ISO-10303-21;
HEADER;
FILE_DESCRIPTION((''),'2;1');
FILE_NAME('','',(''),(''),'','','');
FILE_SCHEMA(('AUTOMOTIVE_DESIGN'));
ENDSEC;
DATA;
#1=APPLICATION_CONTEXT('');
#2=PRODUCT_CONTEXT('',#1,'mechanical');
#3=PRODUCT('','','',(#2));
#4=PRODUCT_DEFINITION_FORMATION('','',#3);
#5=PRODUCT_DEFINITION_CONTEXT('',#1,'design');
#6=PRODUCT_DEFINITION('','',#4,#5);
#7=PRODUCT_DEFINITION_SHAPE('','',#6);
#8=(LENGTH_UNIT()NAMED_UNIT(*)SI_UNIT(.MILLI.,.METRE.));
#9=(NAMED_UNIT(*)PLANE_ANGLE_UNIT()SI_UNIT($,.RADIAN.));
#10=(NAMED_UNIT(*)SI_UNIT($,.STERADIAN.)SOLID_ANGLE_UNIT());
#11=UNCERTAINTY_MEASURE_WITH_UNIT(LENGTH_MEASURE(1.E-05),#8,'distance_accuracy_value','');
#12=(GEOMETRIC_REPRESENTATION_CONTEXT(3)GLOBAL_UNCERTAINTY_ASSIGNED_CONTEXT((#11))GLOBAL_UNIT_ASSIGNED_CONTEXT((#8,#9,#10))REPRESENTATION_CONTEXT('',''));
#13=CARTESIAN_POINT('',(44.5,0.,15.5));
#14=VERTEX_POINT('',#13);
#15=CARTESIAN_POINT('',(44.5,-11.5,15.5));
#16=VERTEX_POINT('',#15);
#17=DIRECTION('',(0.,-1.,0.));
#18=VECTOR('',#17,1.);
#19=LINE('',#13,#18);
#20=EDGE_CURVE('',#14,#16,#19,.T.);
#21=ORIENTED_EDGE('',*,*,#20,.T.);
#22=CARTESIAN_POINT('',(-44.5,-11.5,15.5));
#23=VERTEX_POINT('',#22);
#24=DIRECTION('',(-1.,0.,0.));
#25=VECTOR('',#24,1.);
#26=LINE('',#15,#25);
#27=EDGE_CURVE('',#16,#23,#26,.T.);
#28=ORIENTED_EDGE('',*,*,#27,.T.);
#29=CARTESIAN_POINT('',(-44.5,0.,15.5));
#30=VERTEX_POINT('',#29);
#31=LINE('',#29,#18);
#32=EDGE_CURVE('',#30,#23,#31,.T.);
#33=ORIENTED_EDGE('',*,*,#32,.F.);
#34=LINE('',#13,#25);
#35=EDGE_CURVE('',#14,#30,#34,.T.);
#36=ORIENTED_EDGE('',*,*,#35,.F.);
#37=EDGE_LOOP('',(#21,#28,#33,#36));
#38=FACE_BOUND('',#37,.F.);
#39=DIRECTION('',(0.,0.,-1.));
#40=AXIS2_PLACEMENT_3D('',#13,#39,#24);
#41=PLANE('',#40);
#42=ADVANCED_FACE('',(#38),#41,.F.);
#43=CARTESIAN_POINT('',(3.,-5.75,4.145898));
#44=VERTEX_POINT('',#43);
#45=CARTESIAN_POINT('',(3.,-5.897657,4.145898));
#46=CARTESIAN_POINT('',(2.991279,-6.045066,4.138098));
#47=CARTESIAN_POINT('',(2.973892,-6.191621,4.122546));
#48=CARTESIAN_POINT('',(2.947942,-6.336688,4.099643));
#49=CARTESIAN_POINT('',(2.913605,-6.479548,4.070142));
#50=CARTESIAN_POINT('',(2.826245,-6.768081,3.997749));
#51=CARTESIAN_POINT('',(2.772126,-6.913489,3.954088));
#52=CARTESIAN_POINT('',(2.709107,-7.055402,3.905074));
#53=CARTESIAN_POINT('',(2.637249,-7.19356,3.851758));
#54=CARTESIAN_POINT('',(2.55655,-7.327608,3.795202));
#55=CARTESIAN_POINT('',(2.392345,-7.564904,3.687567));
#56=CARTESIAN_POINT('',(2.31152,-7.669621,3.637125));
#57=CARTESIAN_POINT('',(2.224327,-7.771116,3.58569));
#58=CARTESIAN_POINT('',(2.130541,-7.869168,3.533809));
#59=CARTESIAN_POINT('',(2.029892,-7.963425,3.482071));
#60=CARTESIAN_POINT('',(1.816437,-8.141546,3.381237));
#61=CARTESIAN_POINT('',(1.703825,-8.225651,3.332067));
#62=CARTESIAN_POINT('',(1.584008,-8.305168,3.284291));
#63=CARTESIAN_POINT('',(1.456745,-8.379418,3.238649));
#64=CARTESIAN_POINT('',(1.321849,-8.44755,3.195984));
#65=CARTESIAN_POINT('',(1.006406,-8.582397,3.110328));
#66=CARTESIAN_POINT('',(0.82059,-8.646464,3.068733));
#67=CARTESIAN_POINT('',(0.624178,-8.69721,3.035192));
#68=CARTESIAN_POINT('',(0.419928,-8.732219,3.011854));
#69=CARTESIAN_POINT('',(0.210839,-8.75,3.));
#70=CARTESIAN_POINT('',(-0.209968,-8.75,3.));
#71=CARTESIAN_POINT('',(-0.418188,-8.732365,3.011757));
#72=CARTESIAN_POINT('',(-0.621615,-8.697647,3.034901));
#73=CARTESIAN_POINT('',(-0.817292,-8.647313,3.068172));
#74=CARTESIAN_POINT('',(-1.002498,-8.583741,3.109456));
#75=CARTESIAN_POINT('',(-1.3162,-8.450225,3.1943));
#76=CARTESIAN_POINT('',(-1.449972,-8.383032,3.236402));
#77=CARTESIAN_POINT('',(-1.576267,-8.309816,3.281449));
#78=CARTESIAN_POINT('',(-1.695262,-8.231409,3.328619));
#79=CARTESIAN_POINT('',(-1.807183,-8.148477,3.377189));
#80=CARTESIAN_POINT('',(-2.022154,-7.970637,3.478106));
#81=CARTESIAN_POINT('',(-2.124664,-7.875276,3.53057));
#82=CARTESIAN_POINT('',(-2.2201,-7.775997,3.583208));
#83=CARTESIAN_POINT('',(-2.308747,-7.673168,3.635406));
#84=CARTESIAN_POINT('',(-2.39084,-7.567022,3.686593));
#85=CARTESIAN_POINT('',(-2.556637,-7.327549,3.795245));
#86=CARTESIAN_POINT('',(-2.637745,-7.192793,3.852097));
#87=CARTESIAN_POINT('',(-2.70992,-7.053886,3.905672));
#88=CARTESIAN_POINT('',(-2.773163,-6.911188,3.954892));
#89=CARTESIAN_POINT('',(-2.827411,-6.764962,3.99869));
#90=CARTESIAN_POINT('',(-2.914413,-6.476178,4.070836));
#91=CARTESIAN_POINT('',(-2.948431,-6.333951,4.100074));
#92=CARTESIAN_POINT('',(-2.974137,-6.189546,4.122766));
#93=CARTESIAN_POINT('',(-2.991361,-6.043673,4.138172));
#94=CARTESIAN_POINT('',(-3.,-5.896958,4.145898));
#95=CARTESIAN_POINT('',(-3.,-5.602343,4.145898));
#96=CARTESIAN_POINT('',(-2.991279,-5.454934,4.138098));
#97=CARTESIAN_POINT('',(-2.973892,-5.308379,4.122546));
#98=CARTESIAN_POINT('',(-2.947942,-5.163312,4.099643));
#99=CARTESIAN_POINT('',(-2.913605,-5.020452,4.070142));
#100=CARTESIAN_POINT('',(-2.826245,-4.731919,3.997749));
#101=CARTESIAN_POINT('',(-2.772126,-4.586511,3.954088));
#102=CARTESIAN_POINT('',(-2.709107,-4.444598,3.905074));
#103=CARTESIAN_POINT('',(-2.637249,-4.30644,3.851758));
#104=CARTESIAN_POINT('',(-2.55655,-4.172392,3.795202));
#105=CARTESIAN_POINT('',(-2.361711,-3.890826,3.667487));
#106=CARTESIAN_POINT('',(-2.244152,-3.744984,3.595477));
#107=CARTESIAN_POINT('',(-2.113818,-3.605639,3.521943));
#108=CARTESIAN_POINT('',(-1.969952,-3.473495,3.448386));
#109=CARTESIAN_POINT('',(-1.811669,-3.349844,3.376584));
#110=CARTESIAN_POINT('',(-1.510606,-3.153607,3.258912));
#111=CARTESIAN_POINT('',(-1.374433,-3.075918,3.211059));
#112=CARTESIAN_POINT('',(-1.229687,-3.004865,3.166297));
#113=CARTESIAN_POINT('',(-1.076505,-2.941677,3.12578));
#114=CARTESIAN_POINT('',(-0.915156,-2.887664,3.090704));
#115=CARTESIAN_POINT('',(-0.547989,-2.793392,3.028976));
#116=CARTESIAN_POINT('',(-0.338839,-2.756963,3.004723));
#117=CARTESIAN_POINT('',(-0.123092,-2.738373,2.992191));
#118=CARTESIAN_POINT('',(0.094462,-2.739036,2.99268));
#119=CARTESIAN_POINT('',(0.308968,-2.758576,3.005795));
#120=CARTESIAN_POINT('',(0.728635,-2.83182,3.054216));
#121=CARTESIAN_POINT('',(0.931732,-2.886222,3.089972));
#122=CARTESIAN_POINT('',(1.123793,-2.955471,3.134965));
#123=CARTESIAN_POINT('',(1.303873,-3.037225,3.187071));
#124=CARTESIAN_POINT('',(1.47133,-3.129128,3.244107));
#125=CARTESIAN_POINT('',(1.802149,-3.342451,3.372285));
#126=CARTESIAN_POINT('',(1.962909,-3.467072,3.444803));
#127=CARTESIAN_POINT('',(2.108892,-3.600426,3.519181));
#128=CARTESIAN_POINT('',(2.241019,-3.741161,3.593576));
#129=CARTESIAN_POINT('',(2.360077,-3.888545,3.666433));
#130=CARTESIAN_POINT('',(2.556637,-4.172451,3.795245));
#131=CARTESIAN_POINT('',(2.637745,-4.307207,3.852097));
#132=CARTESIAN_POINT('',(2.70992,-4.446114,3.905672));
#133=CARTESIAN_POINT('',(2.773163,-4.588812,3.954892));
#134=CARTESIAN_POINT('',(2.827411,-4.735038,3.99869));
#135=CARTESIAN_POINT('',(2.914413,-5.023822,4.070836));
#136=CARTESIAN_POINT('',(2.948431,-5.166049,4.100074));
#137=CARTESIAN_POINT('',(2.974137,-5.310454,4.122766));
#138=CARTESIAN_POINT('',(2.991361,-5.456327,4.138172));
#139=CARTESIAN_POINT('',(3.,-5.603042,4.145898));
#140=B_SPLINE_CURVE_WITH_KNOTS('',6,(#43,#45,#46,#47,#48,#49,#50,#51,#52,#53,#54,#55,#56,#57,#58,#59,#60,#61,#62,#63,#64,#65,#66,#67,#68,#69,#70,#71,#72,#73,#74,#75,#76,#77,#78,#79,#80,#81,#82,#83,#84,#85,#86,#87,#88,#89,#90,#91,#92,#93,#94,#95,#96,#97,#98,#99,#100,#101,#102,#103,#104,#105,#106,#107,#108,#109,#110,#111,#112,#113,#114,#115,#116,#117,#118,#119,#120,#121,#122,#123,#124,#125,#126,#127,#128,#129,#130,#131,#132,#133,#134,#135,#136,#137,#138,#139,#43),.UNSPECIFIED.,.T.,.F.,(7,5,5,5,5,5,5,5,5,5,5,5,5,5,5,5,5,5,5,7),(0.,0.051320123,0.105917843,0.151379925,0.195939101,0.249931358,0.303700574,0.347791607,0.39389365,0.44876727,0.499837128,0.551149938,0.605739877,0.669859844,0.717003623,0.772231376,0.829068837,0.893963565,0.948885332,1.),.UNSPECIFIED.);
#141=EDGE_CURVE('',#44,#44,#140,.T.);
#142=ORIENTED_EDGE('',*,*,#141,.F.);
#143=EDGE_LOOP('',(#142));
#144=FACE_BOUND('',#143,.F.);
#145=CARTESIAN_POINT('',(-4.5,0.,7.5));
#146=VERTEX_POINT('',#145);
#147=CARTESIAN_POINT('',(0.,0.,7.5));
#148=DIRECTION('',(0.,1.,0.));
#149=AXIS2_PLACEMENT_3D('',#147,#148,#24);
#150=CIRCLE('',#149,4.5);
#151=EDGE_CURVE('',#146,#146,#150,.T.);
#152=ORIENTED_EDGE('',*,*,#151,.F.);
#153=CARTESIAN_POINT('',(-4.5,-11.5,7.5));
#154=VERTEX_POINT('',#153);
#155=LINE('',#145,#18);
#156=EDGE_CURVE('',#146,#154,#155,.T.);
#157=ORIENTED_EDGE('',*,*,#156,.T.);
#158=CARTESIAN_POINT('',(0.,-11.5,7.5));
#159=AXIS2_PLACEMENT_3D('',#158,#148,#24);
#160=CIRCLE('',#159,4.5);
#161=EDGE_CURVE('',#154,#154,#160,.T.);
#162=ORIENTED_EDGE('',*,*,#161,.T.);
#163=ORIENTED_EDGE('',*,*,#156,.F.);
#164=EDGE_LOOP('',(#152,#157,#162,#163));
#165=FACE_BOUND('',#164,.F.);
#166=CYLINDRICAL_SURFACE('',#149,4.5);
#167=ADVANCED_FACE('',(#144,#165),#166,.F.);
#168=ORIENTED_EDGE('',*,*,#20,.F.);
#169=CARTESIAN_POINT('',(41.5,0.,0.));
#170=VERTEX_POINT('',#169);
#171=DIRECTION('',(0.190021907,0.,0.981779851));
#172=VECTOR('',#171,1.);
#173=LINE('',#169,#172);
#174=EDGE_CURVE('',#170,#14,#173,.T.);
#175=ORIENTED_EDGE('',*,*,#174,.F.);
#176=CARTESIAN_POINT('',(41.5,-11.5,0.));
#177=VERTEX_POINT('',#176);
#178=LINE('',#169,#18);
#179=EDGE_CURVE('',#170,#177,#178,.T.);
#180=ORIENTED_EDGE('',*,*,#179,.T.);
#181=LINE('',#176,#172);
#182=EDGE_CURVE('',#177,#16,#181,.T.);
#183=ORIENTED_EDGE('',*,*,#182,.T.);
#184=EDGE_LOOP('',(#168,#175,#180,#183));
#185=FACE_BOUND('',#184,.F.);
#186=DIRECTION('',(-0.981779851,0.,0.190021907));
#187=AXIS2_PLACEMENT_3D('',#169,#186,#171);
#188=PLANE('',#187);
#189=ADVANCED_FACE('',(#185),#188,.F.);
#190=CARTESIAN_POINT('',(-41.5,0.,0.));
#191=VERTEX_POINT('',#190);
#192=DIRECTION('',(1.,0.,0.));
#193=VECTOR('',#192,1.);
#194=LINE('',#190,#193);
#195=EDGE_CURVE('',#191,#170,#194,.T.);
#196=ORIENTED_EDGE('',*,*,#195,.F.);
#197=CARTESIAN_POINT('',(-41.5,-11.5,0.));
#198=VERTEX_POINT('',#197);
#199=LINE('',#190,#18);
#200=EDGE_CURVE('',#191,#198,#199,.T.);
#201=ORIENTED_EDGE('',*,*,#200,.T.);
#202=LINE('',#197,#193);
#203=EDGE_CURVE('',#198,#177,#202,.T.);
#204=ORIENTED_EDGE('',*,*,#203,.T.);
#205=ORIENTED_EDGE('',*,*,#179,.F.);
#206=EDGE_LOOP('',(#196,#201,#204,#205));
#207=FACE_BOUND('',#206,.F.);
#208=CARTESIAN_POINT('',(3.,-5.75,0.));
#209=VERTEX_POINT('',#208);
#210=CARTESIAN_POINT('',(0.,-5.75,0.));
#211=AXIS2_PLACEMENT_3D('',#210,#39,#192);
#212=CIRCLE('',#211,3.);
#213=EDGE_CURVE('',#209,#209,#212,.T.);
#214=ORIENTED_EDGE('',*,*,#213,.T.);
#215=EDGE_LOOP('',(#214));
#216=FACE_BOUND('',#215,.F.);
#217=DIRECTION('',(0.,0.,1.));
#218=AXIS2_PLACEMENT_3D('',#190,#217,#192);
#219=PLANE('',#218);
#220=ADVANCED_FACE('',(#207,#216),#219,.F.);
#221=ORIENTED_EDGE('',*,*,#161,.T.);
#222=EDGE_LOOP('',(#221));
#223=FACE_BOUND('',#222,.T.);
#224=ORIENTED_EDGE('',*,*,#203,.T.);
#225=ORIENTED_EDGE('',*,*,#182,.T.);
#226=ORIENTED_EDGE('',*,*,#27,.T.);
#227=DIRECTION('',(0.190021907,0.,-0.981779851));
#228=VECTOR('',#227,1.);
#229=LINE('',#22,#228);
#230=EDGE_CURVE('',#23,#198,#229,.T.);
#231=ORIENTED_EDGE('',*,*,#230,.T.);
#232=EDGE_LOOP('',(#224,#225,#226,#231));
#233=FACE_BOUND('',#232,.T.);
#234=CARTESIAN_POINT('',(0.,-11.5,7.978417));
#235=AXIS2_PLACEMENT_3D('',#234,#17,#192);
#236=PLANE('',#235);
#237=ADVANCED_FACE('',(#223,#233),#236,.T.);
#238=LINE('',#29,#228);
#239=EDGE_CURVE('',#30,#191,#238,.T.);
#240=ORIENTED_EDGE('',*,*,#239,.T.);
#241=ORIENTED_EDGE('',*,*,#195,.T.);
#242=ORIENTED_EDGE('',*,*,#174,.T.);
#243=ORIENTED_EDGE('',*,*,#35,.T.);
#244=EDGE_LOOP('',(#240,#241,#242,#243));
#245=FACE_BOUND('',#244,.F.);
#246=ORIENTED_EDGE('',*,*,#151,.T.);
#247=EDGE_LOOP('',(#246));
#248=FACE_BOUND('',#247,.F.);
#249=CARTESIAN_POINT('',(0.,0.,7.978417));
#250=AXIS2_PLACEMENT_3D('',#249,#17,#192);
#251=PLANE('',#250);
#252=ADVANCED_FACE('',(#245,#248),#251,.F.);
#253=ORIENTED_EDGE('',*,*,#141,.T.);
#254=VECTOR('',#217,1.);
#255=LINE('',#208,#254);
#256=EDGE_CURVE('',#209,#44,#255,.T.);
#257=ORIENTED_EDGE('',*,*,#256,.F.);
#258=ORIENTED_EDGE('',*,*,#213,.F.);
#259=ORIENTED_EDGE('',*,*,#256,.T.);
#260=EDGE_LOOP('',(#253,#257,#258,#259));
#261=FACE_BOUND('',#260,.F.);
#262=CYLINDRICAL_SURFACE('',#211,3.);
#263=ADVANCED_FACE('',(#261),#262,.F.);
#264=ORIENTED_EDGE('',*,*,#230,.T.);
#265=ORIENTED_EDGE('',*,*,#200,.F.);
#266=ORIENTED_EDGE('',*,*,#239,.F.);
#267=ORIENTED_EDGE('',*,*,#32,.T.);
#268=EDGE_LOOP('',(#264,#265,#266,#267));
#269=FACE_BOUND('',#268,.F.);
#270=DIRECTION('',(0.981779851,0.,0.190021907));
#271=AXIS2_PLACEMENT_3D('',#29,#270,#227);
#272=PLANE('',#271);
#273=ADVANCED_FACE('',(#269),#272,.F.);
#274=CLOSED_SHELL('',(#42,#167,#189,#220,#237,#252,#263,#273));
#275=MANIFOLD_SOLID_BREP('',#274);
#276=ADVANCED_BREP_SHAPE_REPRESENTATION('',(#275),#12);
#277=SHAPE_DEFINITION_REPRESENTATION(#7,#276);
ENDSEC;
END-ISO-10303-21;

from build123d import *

# Parameters (mm, degrees)
F1_DEPTH = 11.5
F2_R     = 4.5
F3_DEPTH = 11.501
F4_R     = 3
F5_DEPTH = 10


with BuildPart() as f1:
    # F0 (on Front) → F1 (new body)
    with BuildSketch(Plane.XZ):
        Polygon((-44.5, 15.5), (-41.5, 0), (41.5, 0), (44.5, 15.5), align=None)
    extrude(amount=F1_DEPTH)

    # F2 (on face) → F3 (cut, through all)
    with BuildSketch(Plane(origin=(0, 0, 0), x_dir=(-1, 0, 0), z_dir=(0, 1, 0))):
        with Locations((0, 7.5)):
            Circle(F2_R)
    extrude(amount=-F3_DEPTH, mode=Mode.SUBTRACT)

    # F4 (on face) → F5 (cut)
    with BuildSketch(Plane(origin=(0, 0, 0), x_dir=(1, 0, 0), z_dir=(0, 0, -1))):
        with Locations((0, 5.75)):
            Circle(F4_R)
    extrude(amount=-F5_DEPTH, mode=Mode.SUBTRACT)


solid = f1.part
